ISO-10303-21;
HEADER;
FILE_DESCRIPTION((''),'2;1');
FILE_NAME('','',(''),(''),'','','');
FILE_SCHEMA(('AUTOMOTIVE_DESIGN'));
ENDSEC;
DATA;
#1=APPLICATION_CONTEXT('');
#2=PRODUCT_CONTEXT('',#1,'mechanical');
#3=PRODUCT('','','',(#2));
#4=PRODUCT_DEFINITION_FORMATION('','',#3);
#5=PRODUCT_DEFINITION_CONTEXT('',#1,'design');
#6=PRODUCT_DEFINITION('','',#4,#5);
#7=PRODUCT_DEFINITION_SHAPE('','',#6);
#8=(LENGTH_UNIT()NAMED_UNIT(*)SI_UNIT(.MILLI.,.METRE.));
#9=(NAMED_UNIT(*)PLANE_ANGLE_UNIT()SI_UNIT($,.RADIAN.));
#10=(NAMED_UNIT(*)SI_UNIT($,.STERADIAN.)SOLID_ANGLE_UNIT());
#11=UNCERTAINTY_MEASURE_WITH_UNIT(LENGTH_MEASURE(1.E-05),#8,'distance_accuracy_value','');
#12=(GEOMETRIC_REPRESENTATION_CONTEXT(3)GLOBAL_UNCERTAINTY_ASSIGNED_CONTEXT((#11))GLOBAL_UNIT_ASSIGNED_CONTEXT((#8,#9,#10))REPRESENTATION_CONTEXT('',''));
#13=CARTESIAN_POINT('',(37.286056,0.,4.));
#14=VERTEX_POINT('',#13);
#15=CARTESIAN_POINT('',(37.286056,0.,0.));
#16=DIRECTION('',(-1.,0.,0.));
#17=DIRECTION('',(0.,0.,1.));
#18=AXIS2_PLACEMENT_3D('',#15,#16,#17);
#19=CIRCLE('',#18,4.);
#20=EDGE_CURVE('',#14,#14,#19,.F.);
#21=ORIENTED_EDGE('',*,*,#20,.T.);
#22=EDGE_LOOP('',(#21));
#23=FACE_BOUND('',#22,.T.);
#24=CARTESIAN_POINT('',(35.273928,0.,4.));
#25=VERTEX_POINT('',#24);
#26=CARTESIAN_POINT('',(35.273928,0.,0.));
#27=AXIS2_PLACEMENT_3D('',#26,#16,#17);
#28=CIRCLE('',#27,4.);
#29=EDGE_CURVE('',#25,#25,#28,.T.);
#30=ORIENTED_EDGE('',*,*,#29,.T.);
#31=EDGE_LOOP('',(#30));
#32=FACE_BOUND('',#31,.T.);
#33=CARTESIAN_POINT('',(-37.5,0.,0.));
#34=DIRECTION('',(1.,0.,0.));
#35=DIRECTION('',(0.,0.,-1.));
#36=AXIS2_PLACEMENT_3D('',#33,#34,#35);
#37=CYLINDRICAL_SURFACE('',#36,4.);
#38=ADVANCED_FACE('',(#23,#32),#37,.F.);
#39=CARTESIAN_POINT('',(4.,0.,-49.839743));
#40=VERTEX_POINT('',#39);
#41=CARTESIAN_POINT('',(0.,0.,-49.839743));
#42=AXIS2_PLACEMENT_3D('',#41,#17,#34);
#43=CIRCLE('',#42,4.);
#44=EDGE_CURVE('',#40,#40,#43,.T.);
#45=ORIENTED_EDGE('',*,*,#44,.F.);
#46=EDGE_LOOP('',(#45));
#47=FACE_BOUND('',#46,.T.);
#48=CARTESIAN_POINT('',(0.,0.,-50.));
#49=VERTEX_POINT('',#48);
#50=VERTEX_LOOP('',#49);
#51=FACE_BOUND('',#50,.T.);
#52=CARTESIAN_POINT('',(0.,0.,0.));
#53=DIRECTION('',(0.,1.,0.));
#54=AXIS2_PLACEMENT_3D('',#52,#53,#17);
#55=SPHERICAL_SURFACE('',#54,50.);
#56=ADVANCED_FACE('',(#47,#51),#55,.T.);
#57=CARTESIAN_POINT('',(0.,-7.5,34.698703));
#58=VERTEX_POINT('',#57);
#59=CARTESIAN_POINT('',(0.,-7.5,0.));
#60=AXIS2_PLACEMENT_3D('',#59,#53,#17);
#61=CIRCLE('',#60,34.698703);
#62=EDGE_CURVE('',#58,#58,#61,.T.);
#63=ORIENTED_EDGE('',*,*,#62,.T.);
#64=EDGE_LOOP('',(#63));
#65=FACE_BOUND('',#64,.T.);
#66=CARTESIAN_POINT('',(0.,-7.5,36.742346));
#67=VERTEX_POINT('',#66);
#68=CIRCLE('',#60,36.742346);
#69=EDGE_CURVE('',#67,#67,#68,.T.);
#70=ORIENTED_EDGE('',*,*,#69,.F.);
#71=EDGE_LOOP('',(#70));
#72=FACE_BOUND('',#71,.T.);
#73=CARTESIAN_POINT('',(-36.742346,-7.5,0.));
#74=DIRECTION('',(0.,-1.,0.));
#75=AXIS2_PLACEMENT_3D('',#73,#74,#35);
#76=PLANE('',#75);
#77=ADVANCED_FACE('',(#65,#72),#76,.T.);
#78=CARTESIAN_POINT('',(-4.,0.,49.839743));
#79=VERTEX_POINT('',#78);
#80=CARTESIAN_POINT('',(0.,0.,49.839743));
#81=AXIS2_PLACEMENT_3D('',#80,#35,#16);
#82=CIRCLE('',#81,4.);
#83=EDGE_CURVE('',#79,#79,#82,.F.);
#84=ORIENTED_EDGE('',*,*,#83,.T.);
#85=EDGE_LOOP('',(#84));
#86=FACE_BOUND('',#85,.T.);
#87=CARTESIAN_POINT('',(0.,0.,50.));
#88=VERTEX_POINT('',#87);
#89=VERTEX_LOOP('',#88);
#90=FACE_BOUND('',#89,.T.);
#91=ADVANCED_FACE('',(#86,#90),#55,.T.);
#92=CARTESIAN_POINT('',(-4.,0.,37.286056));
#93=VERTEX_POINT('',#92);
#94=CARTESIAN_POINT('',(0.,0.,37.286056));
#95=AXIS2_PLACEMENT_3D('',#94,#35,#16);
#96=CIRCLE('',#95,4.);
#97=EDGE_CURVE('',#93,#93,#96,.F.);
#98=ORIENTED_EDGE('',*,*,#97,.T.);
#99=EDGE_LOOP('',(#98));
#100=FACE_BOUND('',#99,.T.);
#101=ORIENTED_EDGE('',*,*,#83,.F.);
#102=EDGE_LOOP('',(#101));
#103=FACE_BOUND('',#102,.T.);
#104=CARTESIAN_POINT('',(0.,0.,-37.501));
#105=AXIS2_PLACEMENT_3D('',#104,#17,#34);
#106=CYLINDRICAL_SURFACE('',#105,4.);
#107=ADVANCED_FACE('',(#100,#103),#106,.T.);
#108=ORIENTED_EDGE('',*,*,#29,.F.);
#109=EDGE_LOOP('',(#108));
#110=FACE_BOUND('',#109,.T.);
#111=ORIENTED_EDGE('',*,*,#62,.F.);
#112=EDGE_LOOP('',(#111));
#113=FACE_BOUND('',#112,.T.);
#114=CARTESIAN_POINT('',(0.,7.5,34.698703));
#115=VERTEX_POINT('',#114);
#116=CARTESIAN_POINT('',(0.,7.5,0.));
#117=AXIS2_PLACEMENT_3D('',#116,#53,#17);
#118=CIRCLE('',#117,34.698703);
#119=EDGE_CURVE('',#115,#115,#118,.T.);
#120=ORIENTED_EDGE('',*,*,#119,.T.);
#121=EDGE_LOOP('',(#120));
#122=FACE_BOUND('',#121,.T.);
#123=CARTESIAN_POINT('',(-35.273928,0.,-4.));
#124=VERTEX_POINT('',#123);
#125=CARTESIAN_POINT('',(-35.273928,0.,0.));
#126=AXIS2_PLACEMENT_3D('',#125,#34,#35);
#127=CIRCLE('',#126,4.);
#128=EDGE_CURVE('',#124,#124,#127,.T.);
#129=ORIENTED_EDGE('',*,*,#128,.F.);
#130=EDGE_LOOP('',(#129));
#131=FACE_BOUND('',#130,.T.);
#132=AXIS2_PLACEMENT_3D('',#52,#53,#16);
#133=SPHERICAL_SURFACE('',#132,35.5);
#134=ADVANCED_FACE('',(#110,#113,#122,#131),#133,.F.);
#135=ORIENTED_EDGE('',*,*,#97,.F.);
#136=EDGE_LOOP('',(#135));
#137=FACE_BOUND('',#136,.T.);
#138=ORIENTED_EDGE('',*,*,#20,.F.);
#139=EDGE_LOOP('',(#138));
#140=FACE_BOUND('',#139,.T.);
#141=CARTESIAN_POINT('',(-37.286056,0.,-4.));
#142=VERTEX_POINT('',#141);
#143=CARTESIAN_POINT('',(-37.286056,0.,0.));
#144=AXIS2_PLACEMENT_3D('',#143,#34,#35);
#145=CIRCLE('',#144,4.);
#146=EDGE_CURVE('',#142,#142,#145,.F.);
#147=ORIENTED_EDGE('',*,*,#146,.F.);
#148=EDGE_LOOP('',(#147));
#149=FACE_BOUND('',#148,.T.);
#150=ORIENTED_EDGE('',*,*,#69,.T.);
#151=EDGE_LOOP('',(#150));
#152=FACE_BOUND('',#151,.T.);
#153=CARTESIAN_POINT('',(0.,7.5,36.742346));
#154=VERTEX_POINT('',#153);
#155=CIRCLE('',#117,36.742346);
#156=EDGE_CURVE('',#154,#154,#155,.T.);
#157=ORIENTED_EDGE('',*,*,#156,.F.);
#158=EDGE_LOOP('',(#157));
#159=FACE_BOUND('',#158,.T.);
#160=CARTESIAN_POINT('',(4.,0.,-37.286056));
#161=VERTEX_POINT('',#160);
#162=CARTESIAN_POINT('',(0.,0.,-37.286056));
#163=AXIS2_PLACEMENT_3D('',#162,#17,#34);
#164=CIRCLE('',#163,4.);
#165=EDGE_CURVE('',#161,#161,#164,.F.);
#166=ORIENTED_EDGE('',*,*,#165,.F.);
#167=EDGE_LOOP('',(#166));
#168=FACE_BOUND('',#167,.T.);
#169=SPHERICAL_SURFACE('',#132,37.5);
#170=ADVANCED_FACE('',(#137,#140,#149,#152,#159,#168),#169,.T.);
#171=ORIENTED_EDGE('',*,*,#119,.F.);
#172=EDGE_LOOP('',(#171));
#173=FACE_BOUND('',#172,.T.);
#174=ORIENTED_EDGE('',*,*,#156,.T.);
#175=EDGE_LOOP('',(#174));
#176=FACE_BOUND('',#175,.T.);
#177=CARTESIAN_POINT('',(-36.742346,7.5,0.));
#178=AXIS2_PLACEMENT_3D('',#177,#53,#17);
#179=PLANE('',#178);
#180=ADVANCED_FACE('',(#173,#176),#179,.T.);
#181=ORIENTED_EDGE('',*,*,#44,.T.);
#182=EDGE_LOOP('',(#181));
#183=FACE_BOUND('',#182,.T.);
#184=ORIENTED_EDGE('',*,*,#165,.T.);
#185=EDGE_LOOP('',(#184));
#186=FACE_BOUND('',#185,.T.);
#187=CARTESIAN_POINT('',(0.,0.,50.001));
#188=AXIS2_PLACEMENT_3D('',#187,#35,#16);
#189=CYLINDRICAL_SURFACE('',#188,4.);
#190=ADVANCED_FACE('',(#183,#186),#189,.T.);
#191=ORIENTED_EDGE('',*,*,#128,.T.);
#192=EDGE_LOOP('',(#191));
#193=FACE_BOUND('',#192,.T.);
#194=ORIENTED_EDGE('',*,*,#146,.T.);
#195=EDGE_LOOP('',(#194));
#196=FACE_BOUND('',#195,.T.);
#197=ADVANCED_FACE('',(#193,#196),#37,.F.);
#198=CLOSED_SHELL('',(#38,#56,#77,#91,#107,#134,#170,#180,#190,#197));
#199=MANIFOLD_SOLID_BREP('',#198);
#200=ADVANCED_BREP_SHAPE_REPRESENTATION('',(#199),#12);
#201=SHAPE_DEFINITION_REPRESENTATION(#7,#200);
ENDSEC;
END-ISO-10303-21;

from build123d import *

# Parameters (mm, degrees)
SKETCH2_R               = 4
CUT_EXTRUDE1_DEPTH      = 38.5
CUT_EXTRUDE1_DEPTH_BACK = 38.5
SKETCH3_R               = 4
BOSS_EXTRUDE1_DEPTH     = 12.713944


with BuildPart() as part:
    # Sketch1 → Revolve1 (revolve)
    with BuildSketch(Plane.XY):
        with BuildLine():
            Line((-36.742346142, 7.5), (-34.698703146, 7.5))
            ThreePointArc((-34.698703146, 7.5), (-35.5, 0), (-34.698703146, -7.5))
            Line((-34.698703146, -7.5), (-36.742346142, -7.5))
            ThreePointArc((-36.742346142, -7.5), (-37.5, 0), (-36.742346142, 7.5))
        make_face()
    revolve(axis=Axis((0, 20.373498801, 0), (0, -1, 0)))

    # Sketch2 → Cut-Extrude1 (cut, two sides)
    with BuildSketch(Plane(origin=(0, 0, 0), x_dir=(0, 0, -1), z_dir=(1, 0, 0))) as cut_extrude1_sk:
        Circle(SKETCH2_R)
    extrude(amount=CUT_EXTRUDE1_DEPTH, mode=Mode.SUBTRACT)
    extrude(cut_extrude1_sk.sketch, amount=-CUT_EXTRUDE1_DEPTH_BACK, mode=Mode.SUBTRACT)

    # Sketch3 → Boss-Extrude1 (add)
    with BuildSketch(Plane.XY.offset(50)):
        Circle(SKETCH3_R)
    boss_extrude1 = extrude(amount=-BOSS_EXTRUDE1_DEPTH)

    # Mirror1: Boss-Extrude1 across plane
    add(boss_extrude1.mirror(Plane.XY))

    # Sketch4 → Cut-Revolve1 (revolve, cut)
    with BuildSketch(Plane(origin=(0, 0, 0), x_dir=(0, 0, -1), z_dir=(1, 0, 0))):
        with BuildLine():
            Line((0, -50), (0, -55))
            ThreePointArc((0, -55), (-55, 0), (0, 55))
            Line((0, 55), (0, 50))
            ThreePointArc((0, 50), (-50, 0), (0, -50))
        make_face()
    revolve(axis=Axis((0, 37.66002629, 0), (0, -1, 0)), mode=Mode.SUBTRACT)


solid = part.part
